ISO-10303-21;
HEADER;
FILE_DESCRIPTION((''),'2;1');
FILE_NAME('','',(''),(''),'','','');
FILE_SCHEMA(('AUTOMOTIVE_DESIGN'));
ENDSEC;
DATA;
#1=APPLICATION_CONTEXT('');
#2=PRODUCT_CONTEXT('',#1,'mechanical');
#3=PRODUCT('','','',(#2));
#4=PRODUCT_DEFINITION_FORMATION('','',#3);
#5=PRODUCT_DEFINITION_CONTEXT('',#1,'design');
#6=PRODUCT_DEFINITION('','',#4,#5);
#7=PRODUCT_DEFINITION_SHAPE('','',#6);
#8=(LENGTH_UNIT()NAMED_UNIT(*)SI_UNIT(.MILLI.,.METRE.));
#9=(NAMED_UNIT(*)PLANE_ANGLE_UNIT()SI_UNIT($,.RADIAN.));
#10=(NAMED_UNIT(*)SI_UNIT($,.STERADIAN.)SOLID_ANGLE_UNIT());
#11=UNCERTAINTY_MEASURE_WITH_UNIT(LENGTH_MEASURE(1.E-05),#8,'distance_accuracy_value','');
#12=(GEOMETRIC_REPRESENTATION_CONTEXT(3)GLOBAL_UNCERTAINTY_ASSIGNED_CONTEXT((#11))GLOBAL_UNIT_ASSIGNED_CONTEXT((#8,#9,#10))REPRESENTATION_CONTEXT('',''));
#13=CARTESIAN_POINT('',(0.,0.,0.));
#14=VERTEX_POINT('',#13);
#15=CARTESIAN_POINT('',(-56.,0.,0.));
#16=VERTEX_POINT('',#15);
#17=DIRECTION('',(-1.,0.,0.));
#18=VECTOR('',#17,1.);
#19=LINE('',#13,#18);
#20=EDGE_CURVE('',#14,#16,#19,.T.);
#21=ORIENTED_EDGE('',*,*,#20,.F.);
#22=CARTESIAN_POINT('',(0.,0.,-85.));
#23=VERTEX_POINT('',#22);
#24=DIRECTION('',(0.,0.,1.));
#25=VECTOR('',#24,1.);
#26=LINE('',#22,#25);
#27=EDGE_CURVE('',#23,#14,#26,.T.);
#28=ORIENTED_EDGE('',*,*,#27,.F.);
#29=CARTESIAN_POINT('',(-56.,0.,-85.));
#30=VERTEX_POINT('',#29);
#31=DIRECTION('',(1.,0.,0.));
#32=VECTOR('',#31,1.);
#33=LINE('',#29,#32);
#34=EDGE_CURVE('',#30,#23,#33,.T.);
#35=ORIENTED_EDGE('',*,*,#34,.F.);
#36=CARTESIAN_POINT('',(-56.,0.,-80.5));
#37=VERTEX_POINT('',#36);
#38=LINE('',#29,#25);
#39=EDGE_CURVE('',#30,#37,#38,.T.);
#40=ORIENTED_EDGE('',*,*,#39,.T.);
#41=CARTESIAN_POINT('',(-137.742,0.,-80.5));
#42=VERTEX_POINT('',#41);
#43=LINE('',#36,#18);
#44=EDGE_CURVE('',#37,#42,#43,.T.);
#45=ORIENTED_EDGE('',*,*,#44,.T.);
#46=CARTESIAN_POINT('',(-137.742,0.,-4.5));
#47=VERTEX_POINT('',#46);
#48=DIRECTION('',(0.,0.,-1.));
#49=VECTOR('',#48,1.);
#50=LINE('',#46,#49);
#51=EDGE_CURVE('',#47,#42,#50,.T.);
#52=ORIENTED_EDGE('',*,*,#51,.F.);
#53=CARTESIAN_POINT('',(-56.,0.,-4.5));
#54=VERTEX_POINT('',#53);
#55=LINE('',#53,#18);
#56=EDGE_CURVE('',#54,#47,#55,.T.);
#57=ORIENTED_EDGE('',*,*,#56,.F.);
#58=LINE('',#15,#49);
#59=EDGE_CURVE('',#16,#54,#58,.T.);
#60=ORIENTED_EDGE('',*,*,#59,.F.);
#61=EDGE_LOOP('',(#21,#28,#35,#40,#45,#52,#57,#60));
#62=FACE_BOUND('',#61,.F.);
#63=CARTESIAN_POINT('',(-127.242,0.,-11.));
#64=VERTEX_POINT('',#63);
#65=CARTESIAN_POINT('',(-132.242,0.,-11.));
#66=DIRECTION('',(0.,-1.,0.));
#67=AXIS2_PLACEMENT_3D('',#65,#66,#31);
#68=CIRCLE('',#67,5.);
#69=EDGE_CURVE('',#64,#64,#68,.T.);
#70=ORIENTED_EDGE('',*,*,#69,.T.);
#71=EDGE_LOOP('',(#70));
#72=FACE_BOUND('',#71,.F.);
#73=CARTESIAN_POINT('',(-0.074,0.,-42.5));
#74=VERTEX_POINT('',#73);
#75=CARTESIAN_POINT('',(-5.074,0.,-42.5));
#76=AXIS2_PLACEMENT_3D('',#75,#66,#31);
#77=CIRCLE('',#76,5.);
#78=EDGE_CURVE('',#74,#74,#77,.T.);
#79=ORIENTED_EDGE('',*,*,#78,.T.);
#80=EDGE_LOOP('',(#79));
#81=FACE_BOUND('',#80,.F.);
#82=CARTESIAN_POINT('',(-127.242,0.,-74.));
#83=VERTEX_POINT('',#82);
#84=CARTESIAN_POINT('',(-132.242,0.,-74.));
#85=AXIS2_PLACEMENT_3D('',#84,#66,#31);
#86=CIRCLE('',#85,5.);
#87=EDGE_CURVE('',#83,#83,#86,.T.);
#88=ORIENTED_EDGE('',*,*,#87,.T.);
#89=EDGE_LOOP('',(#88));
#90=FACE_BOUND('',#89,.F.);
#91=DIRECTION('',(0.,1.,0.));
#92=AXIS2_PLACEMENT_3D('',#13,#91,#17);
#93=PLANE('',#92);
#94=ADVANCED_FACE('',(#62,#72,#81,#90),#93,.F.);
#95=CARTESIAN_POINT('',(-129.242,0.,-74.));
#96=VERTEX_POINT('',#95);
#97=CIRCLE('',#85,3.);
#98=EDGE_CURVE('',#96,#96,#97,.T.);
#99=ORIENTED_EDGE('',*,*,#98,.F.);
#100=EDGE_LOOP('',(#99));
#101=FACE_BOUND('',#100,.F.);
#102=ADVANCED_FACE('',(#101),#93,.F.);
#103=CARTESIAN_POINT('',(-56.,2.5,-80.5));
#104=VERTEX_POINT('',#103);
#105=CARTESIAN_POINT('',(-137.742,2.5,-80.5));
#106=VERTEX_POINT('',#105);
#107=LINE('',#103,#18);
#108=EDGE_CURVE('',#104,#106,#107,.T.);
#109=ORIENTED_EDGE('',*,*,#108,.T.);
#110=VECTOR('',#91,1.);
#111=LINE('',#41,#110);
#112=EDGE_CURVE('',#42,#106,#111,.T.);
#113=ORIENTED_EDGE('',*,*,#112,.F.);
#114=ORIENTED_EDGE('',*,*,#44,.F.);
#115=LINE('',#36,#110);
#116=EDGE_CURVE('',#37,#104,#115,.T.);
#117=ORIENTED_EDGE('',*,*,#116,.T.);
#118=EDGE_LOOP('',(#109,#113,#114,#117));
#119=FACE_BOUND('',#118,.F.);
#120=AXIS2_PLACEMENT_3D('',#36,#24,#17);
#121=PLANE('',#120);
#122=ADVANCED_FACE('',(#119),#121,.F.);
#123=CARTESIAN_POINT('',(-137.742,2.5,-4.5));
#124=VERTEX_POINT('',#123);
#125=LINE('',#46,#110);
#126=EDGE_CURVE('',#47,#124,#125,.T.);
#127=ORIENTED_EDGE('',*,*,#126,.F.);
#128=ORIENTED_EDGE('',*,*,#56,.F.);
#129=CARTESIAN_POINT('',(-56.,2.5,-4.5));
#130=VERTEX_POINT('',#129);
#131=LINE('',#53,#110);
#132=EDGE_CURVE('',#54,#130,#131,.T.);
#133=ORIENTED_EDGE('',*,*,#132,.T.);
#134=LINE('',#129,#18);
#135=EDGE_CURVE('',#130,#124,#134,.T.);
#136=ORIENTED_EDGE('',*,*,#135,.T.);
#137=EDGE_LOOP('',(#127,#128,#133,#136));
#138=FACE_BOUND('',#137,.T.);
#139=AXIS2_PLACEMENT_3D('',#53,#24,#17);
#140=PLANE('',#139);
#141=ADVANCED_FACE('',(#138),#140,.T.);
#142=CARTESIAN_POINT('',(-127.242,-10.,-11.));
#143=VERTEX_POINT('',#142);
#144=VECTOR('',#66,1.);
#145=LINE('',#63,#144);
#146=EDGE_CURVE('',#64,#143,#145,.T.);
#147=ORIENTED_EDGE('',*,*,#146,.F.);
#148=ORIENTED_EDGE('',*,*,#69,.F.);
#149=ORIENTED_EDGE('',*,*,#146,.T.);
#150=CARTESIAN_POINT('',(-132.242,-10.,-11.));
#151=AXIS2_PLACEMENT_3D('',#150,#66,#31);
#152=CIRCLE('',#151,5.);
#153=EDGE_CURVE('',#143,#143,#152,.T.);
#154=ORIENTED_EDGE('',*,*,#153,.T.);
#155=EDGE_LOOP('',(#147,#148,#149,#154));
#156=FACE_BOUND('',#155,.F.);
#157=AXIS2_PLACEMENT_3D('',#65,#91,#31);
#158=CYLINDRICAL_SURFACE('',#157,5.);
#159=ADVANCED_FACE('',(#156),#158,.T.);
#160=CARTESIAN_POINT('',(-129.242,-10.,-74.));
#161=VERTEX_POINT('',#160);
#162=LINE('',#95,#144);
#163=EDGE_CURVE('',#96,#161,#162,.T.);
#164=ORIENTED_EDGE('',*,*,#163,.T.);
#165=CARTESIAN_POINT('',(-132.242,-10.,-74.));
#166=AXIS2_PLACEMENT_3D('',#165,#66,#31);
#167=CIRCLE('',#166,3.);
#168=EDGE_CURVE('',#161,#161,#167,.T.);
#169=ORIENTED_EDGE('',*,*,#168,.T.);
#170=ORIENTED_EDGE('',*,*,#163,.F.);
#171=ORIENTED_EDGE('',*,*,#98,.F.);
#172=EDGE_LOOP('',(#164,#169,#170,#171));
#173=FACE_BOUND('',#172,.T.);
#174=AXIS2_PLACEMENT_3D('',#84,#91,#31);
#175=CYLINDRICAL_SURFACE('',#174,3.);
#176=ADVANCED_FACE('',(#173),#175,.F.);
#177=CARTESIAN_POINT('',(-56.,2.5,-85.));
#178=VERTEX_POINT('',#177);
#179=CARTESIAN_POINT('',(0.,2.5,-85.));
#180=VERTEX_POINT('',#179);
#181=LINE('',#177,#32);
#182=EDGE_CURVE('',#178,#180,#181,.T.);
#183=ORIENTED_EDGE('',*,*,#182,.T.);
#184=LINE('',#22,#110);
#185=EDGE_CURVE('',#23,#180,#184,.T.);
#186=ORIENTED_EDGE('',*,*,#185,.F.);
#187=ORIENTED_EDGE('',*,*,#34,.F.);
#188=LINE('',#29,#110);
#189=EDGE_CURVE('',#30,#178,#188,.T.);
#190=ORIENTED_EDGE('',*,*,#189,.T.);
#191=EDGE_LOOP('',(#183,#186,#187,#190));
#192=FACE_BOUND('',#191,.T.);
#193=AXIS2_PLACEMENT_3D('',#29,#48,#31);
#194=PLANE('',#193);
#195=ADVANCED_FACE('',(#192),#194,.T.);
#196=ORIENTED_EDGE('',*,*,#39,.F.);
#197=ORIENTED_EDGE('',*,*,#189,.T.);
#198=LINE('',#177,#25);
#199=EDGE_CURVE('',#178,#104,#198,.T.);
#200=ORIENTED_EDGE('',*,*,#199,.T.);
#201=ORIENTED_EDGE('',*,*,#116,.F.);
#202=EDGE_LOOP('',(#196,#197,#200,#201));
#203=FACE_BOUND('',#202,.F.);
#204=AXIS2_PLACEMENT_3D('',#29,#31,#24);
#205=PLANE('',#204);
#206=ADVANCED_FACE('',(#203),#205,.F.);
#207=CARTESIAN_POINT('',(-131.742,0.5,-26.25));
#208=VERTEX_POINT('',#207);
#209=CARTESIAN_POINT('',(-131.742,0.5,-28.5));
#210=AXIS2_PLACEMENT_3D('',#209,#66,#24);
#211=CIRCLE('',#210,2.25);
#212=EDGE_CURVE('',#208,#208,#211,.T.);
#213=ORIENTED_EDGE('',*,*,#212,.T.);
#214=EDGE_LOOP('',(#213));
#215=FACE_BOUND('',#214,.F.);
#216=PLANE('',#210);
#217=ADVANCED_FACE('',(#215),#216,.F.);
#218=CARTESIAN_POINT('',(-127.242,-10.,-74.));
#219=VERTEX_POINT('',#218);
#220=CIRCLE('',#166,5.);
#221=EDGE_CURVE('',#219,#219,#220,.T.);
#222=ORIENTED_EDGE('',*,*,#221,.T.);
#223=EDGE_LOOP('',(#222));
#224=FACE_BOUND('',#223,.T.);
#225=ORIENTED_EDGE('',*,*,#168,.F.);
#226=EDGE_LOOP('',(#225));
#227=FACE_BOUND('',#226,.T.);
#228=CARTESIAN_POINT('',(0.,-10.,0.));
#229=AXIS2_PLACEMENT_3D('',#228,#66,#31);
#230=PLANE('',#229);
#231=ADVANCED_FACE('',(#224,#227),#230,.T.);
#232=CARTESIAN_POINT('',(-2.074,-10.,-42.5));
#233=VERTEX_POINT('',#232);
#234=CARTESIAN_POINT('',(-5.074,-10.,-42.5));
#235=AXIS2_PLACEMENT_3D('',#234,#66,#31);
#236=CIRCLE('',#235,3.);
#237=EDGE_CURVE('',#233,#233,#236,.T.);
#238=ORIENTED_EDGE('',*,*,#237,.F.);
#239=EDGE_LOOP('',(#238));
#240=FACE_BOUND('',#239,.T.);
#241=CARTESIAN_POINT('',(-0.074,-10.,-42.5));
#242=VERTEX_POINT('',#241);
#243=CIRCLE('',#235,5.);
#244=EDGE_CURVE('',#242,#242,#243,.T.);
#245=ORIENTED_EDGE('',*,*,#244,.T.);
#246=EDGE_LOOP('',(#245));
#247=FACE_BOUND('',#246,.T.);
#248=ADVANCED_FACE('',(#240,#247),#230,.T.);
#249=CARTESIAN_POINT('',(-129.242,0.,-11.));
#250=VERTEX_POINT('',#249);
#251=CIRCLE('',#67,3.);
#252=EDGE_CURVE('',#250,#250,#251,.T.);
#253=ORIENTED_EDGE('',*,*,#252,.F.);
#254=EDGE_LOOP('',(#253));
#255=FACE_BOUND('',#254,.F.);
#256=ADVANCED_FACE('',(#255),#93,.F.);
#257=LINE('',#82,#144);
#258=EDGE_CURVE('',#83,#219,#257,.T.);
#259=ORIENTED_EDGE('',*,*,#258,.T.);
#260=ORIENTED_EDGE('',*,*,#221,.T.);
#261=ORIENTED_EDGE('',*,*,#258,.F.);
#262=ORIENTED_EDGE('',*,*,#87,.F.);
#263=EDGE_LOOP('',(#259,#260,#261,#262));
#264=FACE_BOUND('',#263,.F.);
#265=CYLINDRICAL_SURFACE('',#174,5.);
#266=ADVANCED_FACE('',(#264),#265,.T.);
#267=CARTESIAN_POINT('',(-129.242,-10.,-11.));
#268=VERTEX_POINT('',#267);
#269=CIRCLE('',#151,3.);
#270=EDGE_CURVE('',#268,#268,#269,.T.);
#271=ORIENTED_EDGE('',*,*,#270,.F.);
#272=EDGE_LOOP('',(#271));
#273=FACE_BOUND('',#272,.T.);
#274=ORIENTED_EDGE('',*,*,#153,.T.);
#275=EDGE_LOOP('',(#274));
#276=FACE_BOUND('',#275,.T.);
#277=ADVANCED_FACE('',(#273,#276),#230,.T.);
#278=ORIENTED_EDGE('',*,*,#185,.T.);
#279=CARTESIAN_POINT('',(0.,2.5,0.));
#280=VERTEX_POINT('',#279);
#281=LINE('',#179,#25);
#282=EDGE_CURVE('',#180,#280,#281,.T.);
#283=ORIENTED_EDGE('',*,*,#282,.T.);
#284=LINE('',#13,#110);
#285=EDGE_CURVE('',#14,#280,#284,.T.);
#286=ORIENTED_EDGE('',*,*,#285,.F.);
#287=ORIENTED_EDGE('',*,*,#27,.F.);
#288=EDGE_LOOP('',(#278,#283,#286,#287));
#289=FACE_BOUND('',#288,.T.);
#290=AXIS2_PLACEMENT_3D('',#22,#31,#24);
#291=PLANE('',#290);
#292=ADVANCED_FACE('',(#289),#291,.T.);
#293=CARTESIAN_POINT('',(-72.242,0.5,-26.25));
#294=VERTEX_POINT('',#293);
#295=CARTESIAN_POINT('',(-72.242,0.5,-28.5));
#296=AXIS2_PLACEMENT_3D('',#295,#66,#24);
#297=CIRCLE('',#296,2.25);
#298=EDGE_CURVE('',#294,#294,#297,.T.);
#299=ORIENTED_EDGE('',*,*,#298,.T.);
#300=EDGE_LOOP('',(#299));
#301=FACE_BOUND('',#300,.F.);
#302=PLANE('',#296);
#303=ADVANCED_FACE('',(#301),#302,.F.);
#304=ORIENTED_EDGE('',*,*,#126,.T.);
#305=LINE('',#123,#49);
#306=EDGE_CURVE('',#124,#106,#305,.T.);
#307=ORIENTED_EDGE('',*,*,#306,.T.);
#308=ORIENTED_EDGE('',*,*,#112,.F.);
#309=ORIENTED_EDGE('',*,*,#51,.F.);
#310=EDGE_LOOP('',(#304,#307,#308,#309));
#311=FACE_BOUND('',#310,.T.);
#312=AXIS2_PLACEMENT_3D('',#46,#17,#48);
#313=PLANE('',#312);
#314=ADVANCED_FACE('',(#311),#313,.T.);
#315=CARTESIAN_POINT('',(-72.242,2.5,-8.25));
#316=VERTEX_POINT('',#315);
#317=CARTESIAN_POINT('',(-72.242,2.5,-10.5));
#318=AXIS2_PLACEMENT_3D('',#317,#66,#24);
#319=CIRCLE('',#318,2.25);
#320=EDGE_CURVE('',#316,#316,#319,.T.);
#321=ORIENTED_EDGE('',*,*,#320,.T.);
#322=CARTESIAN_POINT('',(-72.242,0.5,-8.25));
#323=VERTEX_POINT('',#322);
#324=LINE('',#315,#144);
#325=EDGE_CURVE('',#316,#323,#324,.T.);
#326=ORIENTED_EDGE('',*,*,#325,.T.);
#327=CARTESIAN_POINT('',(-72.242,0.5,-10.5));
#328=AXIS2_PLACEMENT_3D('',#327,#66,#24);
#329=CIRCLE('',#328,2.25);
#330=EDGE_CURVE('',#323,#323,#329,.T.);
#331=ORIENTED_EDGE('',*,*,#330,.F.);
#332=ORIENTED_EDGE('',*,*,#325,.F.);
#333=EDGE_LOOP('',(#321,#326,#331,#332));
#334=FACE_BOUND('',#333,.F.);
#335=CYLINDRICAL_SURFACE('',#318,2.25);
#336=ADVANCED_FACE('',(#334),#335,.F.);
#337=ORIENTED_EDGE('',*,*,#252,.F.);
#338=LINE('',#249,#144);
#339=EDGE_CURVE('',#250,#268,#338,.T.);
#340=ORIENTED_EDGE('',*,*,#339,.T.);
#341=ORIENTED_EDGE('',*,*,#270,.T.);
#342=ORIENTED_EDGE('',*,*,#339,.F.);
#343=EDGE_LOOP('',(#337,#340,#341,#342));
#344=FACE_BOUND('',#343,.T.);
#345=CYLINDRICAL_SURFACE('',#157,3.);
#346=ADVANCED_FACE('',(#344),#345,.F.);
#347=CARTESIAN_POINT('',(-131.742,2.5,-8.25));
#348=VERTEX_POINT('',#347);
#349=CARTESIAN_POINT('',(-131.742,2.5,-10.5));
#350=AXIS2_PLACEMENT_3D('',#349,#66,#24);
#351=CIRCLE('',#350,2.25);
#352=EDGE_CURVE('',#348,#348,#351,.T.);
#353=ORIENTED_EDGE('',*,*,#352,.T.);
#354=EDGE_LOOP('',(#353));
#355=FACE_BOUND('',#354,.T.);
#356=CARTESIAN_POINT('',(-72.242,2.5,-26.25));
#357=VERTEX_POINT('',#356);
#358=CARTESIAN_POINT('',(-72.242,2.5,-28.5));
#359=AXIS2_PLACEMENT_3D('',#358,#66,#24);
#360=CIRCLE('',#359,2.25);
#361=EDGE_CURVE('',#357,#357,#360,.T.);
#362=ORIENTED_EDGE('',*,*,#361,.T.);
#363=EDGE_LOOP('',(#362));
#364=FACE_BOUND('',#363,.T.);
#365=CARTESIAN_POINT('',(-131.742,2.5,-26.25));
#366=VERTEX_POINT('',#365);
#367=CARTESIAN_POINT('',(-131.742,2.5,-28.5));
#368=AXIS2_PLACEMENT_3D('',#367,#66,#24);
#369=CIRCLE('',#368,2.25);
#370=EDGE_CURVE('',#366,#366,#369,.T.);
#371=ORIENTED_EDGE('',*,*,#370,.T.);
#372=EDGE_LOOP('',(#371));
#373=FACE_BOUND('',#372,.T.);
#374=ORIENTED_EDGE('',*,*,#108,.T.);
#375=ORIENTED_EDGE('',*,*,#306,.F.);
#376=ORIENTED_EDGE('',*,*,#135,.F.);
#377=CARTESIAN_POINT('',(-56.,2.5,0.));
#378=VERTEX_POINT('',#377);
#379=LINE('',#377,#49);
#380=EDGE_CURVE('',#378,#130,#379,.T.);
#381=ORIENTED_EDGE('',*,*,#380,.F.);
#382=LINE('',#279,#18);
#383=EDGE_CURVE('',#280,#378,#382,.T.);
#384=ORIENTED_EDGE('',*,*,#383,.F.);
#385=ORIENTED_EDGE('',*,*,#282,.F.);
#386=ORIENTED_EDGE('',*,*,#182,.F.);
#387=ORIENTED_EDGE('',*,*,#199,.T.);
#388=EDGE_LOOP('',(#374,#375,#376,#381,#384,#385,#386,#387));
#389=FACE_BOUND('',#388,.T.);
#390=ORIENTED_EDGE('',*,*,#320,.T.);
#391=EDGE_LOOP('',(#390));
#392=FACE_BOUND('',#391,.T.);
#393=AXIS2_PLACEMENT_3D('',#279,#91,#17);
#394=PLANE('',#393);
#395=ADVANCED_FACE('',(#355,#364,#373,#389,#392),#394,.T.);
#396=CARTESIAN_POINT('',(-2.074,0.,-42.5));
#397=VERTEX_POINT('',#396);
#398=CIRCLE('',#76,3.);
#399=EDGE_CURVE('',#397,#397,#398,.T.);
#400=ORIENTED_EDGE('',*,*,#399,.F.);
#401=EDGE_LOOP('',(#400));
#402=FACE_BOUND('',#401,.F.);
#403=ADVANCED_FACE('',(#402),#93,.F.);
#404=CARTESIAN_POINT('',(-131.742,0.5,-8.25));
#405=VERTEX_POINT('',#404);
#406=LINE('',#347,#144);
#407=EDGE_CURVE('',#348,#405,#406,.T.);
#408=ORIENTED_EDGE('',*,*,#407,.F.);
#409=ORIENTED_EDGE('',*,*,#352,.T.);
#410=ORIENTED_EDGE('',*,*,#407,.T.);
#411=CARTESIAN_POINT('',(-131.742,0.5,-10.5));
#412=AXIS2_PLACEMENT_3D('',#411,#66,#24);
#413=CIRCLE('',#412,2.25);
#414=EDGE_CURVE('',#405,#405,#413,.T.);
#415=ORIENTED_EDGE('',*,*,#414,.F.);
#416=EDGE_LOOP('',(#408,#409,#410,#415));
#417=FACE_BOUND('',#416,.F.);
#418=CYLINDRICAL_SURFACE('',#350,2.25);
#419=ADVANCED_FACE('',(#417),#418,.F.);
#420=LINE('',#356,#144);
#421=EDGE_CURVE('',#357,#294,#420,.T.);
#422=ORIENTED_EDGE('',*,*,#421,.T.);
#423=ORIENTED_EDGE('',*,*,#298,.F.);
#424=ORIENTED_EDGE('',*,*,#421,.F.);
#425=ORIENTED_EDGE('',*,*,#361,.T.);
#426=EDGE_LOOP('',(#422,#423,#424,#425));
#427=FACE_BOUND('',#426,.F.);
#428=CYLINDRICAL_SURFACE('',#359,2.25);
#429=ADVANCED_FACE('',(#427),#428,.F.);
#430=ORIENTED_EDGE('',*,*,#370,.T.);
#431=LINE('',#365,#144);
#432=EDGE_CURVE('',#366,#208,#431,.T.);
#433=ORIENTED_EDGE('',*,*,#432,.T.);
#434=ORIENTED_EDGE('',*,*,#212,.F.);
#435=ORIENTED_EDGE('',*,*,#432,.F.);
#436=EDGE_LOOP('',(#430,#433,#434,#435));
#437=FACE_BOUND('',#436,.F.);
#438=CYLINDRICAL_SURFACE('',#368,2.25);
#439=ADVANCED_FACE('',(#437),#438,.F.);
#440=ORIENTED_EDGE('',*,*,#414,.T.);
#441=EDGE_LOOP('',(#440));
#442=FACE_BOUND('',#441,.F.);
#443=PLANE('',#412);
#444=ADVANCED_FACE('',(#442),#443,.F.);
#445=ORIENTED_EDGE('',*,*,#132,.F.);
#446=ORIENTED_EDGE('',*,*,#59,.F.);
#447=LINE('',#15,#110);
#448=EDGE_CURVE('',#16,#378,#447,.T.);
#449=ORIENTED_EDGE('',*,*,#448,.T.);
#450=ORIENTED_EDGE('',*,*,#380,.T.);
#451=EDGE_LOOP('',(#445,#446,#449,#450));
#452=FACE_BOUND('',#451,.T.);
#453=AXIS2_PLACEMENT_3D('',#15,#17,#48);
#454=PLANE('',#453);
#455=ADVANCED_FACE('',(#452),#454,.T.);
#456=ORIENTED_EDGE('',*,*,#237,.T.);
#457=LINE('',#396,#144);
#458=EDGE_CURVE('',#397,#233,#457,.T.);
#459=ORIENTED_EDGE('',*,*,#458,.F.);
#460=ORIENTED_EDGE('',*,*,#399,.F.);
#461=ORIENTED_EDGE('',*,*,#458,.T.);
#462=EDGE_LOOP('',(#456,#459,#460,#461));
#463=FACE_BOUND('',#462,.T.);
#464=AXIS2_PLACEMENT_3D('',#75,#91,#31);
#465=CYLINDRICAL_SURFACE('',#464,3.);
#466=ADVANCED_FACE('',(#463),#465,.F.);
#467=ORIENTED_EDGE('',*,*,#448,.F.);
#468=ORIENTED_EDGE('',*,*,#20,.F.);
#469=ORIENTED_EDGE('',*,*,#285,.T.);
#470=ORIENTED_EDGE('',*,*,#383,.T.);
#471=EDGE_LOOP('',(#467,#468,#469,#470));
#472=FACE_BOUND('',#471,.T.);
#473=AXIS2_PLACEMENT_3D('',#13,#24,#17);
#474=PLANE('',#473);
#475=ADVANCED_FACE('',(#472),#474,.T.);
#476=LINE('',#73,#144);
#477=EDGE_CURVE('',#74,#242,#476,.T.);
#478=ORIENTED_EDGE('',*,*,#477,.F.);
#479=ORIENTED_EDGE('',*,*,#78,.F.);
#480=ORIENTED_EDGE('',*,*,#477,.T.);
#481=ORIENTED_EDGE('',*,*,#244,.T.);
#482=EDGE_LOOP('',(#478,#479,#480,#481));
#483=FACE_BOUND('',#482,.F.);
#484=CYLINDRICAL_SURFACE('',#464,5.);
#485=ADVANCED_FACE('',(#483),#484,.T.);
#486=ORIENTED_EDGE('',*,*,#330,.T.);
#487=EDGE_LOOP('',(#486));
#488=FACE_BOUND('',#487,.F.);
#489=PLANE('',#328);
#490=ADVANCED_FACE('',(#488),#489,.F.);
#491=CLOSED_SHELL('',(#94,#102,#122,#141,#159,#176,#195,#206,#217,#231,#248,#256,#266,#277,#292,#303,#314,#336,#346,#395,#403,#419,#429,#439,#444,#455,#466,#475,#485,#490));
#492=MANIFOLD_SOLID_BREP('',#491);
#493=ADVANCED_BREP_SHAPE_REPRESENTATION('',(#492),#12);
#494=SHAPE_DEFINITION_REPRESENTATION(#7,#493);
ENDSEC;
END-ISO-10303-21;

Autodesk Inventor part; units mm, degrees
ref_plane "YZ Plane" through (0, 0, 0) normal (1, 0, 0) x (0, 1, 0)
ref_plane "XZ Plane" through (0, 0, 0) normal (0, 1, 0) x (-1, 0, 0)
ref_plane "XY Plane" through (0, 0, 0) normal (0, 0, 1) x (1, 0, 0)
sketch "Sketch1" plane through (0, 0, 0) normal (0, 1, 0) x (-1, 0, 0)
  line L0 (0, 0) -> (56, 0)
  line L1 (137.742, -4.5) -> (137.742, -80.5)
  line L2 (56, -85) -> (0, -85)
  line L3 (0, -85) -> (0, 0)
  line L4 (0, 0) -> (56, 0)
  line L5 (56, 0) -> (56, -4.5)
  line L6 (56, -85) -> (56, -80.5)
  line L7 (56, -80.5) -> (137.742, -80.5)
  line L8 (56, -4.5) -> (137.742, -4.5)
  line L9 (56, 0) -> (56, -4.5)
  line L10 (56, -80.5) -> (56, -85)
  dimension "d19" = 56
  dimension "d20" = 4.5
  dimension "d21" = 4.5
  dimension "d54" = 76
  dimension "d55" = 81.742
  dimension "d56" = 85
extrude "Extrusion1" add sketch "Sketch1" along normal blind 2.5
sketch "Sketch3" plane through (0, 2.5, 0) normal (0, 1, 0) x (1, 0, 0)
  line L0 (-56, 85) -> (-56, 80.5) projected
  line L1 (0, 0) -> (0, 85) projected
  circle A0 centre (-131.742, 10.5) radius 2.2
  line L2 (-137.742, 80.5) -> (-137.742, 4.5) projected
  line L3 (-137.742, 4.5) -> (-56, 4.5) projected
  line L4 (-131.742, 10.5) -> (-72.242, 10.5)
  line L5 (-101.992, 10.5) -> (-101.992, 4.5)
  circle A1 centre (-72.242, 10.5) radius 2.2
  line L6 (-72.242, 10.5) -> (-72.242, 28.5)
  circle A2 centre (-72.242, 28.5) radius 2.2
  circle A3 centre (-131.742, 28.5) radius 2.2
  point P0 (-56, 88)
  dimension "d22" = 56
  dimension "d23" = 4.4
  dimension "d24" = 6
  dimension "d25" = 6
  dimension "d26" = 59.5
  dimension "d28" = 18
  dimension "d29" = 4.4
  dimension "d42" = 4.4
  dimension "d43" = 4.4
sketch "Sketch4" plane through (0, 0, 0) normal (0, -1, 0) x (1, 0, 0)
  line L0 (0, 0) -> (0, -85) projected
  line L1 (0, -42.5) -> (-5.074, -42.5)
  circle A0 centre (-5.074, -42.5) radius 3
  circle A1 centre (-5.074, -42.5) radius 5
  circle A2 centre (-132.242, -74) radius 3
  line L2 (-56, -80.5) -> (-137.742, -80.5) projected
  line L3 (-137.742, -80.5) -> (-137.742, -4.5) projected
  circle A3 centre (-132.242, -74) radius 5
  circle A4 centre (-132.242, -11) radius 3
  circle A5 centre (-132.242, -11) radius 5
  line L4 (-137.742, -4.5) -> (-56, -4.5) projected
  dimension "d33" = 5.074
  dimension "d34" = 6
  dimension "d35" = 10
  dimension "d36" = 6
  dimension "d37" = 6.5
  dimension "d38" = 5.5
  dimension "d39" = 10
  dimension "d57" = 63
  dimension "d58" = 6.5
  dimension "d59" = 5.5
extrude "Extrusion3" add sketch "Sketch4" along normal blind 10
hole "Hole1" at (-72.242, 2.5, -28.5) at (-72.242, 2.5, -10.5) at (-131.742, 2.5, -10.5) at (-131.742, 2.5, -28.5) direction (0, -1, 0) diameter 4.5 depth 2
properties part number "TopChassis"
